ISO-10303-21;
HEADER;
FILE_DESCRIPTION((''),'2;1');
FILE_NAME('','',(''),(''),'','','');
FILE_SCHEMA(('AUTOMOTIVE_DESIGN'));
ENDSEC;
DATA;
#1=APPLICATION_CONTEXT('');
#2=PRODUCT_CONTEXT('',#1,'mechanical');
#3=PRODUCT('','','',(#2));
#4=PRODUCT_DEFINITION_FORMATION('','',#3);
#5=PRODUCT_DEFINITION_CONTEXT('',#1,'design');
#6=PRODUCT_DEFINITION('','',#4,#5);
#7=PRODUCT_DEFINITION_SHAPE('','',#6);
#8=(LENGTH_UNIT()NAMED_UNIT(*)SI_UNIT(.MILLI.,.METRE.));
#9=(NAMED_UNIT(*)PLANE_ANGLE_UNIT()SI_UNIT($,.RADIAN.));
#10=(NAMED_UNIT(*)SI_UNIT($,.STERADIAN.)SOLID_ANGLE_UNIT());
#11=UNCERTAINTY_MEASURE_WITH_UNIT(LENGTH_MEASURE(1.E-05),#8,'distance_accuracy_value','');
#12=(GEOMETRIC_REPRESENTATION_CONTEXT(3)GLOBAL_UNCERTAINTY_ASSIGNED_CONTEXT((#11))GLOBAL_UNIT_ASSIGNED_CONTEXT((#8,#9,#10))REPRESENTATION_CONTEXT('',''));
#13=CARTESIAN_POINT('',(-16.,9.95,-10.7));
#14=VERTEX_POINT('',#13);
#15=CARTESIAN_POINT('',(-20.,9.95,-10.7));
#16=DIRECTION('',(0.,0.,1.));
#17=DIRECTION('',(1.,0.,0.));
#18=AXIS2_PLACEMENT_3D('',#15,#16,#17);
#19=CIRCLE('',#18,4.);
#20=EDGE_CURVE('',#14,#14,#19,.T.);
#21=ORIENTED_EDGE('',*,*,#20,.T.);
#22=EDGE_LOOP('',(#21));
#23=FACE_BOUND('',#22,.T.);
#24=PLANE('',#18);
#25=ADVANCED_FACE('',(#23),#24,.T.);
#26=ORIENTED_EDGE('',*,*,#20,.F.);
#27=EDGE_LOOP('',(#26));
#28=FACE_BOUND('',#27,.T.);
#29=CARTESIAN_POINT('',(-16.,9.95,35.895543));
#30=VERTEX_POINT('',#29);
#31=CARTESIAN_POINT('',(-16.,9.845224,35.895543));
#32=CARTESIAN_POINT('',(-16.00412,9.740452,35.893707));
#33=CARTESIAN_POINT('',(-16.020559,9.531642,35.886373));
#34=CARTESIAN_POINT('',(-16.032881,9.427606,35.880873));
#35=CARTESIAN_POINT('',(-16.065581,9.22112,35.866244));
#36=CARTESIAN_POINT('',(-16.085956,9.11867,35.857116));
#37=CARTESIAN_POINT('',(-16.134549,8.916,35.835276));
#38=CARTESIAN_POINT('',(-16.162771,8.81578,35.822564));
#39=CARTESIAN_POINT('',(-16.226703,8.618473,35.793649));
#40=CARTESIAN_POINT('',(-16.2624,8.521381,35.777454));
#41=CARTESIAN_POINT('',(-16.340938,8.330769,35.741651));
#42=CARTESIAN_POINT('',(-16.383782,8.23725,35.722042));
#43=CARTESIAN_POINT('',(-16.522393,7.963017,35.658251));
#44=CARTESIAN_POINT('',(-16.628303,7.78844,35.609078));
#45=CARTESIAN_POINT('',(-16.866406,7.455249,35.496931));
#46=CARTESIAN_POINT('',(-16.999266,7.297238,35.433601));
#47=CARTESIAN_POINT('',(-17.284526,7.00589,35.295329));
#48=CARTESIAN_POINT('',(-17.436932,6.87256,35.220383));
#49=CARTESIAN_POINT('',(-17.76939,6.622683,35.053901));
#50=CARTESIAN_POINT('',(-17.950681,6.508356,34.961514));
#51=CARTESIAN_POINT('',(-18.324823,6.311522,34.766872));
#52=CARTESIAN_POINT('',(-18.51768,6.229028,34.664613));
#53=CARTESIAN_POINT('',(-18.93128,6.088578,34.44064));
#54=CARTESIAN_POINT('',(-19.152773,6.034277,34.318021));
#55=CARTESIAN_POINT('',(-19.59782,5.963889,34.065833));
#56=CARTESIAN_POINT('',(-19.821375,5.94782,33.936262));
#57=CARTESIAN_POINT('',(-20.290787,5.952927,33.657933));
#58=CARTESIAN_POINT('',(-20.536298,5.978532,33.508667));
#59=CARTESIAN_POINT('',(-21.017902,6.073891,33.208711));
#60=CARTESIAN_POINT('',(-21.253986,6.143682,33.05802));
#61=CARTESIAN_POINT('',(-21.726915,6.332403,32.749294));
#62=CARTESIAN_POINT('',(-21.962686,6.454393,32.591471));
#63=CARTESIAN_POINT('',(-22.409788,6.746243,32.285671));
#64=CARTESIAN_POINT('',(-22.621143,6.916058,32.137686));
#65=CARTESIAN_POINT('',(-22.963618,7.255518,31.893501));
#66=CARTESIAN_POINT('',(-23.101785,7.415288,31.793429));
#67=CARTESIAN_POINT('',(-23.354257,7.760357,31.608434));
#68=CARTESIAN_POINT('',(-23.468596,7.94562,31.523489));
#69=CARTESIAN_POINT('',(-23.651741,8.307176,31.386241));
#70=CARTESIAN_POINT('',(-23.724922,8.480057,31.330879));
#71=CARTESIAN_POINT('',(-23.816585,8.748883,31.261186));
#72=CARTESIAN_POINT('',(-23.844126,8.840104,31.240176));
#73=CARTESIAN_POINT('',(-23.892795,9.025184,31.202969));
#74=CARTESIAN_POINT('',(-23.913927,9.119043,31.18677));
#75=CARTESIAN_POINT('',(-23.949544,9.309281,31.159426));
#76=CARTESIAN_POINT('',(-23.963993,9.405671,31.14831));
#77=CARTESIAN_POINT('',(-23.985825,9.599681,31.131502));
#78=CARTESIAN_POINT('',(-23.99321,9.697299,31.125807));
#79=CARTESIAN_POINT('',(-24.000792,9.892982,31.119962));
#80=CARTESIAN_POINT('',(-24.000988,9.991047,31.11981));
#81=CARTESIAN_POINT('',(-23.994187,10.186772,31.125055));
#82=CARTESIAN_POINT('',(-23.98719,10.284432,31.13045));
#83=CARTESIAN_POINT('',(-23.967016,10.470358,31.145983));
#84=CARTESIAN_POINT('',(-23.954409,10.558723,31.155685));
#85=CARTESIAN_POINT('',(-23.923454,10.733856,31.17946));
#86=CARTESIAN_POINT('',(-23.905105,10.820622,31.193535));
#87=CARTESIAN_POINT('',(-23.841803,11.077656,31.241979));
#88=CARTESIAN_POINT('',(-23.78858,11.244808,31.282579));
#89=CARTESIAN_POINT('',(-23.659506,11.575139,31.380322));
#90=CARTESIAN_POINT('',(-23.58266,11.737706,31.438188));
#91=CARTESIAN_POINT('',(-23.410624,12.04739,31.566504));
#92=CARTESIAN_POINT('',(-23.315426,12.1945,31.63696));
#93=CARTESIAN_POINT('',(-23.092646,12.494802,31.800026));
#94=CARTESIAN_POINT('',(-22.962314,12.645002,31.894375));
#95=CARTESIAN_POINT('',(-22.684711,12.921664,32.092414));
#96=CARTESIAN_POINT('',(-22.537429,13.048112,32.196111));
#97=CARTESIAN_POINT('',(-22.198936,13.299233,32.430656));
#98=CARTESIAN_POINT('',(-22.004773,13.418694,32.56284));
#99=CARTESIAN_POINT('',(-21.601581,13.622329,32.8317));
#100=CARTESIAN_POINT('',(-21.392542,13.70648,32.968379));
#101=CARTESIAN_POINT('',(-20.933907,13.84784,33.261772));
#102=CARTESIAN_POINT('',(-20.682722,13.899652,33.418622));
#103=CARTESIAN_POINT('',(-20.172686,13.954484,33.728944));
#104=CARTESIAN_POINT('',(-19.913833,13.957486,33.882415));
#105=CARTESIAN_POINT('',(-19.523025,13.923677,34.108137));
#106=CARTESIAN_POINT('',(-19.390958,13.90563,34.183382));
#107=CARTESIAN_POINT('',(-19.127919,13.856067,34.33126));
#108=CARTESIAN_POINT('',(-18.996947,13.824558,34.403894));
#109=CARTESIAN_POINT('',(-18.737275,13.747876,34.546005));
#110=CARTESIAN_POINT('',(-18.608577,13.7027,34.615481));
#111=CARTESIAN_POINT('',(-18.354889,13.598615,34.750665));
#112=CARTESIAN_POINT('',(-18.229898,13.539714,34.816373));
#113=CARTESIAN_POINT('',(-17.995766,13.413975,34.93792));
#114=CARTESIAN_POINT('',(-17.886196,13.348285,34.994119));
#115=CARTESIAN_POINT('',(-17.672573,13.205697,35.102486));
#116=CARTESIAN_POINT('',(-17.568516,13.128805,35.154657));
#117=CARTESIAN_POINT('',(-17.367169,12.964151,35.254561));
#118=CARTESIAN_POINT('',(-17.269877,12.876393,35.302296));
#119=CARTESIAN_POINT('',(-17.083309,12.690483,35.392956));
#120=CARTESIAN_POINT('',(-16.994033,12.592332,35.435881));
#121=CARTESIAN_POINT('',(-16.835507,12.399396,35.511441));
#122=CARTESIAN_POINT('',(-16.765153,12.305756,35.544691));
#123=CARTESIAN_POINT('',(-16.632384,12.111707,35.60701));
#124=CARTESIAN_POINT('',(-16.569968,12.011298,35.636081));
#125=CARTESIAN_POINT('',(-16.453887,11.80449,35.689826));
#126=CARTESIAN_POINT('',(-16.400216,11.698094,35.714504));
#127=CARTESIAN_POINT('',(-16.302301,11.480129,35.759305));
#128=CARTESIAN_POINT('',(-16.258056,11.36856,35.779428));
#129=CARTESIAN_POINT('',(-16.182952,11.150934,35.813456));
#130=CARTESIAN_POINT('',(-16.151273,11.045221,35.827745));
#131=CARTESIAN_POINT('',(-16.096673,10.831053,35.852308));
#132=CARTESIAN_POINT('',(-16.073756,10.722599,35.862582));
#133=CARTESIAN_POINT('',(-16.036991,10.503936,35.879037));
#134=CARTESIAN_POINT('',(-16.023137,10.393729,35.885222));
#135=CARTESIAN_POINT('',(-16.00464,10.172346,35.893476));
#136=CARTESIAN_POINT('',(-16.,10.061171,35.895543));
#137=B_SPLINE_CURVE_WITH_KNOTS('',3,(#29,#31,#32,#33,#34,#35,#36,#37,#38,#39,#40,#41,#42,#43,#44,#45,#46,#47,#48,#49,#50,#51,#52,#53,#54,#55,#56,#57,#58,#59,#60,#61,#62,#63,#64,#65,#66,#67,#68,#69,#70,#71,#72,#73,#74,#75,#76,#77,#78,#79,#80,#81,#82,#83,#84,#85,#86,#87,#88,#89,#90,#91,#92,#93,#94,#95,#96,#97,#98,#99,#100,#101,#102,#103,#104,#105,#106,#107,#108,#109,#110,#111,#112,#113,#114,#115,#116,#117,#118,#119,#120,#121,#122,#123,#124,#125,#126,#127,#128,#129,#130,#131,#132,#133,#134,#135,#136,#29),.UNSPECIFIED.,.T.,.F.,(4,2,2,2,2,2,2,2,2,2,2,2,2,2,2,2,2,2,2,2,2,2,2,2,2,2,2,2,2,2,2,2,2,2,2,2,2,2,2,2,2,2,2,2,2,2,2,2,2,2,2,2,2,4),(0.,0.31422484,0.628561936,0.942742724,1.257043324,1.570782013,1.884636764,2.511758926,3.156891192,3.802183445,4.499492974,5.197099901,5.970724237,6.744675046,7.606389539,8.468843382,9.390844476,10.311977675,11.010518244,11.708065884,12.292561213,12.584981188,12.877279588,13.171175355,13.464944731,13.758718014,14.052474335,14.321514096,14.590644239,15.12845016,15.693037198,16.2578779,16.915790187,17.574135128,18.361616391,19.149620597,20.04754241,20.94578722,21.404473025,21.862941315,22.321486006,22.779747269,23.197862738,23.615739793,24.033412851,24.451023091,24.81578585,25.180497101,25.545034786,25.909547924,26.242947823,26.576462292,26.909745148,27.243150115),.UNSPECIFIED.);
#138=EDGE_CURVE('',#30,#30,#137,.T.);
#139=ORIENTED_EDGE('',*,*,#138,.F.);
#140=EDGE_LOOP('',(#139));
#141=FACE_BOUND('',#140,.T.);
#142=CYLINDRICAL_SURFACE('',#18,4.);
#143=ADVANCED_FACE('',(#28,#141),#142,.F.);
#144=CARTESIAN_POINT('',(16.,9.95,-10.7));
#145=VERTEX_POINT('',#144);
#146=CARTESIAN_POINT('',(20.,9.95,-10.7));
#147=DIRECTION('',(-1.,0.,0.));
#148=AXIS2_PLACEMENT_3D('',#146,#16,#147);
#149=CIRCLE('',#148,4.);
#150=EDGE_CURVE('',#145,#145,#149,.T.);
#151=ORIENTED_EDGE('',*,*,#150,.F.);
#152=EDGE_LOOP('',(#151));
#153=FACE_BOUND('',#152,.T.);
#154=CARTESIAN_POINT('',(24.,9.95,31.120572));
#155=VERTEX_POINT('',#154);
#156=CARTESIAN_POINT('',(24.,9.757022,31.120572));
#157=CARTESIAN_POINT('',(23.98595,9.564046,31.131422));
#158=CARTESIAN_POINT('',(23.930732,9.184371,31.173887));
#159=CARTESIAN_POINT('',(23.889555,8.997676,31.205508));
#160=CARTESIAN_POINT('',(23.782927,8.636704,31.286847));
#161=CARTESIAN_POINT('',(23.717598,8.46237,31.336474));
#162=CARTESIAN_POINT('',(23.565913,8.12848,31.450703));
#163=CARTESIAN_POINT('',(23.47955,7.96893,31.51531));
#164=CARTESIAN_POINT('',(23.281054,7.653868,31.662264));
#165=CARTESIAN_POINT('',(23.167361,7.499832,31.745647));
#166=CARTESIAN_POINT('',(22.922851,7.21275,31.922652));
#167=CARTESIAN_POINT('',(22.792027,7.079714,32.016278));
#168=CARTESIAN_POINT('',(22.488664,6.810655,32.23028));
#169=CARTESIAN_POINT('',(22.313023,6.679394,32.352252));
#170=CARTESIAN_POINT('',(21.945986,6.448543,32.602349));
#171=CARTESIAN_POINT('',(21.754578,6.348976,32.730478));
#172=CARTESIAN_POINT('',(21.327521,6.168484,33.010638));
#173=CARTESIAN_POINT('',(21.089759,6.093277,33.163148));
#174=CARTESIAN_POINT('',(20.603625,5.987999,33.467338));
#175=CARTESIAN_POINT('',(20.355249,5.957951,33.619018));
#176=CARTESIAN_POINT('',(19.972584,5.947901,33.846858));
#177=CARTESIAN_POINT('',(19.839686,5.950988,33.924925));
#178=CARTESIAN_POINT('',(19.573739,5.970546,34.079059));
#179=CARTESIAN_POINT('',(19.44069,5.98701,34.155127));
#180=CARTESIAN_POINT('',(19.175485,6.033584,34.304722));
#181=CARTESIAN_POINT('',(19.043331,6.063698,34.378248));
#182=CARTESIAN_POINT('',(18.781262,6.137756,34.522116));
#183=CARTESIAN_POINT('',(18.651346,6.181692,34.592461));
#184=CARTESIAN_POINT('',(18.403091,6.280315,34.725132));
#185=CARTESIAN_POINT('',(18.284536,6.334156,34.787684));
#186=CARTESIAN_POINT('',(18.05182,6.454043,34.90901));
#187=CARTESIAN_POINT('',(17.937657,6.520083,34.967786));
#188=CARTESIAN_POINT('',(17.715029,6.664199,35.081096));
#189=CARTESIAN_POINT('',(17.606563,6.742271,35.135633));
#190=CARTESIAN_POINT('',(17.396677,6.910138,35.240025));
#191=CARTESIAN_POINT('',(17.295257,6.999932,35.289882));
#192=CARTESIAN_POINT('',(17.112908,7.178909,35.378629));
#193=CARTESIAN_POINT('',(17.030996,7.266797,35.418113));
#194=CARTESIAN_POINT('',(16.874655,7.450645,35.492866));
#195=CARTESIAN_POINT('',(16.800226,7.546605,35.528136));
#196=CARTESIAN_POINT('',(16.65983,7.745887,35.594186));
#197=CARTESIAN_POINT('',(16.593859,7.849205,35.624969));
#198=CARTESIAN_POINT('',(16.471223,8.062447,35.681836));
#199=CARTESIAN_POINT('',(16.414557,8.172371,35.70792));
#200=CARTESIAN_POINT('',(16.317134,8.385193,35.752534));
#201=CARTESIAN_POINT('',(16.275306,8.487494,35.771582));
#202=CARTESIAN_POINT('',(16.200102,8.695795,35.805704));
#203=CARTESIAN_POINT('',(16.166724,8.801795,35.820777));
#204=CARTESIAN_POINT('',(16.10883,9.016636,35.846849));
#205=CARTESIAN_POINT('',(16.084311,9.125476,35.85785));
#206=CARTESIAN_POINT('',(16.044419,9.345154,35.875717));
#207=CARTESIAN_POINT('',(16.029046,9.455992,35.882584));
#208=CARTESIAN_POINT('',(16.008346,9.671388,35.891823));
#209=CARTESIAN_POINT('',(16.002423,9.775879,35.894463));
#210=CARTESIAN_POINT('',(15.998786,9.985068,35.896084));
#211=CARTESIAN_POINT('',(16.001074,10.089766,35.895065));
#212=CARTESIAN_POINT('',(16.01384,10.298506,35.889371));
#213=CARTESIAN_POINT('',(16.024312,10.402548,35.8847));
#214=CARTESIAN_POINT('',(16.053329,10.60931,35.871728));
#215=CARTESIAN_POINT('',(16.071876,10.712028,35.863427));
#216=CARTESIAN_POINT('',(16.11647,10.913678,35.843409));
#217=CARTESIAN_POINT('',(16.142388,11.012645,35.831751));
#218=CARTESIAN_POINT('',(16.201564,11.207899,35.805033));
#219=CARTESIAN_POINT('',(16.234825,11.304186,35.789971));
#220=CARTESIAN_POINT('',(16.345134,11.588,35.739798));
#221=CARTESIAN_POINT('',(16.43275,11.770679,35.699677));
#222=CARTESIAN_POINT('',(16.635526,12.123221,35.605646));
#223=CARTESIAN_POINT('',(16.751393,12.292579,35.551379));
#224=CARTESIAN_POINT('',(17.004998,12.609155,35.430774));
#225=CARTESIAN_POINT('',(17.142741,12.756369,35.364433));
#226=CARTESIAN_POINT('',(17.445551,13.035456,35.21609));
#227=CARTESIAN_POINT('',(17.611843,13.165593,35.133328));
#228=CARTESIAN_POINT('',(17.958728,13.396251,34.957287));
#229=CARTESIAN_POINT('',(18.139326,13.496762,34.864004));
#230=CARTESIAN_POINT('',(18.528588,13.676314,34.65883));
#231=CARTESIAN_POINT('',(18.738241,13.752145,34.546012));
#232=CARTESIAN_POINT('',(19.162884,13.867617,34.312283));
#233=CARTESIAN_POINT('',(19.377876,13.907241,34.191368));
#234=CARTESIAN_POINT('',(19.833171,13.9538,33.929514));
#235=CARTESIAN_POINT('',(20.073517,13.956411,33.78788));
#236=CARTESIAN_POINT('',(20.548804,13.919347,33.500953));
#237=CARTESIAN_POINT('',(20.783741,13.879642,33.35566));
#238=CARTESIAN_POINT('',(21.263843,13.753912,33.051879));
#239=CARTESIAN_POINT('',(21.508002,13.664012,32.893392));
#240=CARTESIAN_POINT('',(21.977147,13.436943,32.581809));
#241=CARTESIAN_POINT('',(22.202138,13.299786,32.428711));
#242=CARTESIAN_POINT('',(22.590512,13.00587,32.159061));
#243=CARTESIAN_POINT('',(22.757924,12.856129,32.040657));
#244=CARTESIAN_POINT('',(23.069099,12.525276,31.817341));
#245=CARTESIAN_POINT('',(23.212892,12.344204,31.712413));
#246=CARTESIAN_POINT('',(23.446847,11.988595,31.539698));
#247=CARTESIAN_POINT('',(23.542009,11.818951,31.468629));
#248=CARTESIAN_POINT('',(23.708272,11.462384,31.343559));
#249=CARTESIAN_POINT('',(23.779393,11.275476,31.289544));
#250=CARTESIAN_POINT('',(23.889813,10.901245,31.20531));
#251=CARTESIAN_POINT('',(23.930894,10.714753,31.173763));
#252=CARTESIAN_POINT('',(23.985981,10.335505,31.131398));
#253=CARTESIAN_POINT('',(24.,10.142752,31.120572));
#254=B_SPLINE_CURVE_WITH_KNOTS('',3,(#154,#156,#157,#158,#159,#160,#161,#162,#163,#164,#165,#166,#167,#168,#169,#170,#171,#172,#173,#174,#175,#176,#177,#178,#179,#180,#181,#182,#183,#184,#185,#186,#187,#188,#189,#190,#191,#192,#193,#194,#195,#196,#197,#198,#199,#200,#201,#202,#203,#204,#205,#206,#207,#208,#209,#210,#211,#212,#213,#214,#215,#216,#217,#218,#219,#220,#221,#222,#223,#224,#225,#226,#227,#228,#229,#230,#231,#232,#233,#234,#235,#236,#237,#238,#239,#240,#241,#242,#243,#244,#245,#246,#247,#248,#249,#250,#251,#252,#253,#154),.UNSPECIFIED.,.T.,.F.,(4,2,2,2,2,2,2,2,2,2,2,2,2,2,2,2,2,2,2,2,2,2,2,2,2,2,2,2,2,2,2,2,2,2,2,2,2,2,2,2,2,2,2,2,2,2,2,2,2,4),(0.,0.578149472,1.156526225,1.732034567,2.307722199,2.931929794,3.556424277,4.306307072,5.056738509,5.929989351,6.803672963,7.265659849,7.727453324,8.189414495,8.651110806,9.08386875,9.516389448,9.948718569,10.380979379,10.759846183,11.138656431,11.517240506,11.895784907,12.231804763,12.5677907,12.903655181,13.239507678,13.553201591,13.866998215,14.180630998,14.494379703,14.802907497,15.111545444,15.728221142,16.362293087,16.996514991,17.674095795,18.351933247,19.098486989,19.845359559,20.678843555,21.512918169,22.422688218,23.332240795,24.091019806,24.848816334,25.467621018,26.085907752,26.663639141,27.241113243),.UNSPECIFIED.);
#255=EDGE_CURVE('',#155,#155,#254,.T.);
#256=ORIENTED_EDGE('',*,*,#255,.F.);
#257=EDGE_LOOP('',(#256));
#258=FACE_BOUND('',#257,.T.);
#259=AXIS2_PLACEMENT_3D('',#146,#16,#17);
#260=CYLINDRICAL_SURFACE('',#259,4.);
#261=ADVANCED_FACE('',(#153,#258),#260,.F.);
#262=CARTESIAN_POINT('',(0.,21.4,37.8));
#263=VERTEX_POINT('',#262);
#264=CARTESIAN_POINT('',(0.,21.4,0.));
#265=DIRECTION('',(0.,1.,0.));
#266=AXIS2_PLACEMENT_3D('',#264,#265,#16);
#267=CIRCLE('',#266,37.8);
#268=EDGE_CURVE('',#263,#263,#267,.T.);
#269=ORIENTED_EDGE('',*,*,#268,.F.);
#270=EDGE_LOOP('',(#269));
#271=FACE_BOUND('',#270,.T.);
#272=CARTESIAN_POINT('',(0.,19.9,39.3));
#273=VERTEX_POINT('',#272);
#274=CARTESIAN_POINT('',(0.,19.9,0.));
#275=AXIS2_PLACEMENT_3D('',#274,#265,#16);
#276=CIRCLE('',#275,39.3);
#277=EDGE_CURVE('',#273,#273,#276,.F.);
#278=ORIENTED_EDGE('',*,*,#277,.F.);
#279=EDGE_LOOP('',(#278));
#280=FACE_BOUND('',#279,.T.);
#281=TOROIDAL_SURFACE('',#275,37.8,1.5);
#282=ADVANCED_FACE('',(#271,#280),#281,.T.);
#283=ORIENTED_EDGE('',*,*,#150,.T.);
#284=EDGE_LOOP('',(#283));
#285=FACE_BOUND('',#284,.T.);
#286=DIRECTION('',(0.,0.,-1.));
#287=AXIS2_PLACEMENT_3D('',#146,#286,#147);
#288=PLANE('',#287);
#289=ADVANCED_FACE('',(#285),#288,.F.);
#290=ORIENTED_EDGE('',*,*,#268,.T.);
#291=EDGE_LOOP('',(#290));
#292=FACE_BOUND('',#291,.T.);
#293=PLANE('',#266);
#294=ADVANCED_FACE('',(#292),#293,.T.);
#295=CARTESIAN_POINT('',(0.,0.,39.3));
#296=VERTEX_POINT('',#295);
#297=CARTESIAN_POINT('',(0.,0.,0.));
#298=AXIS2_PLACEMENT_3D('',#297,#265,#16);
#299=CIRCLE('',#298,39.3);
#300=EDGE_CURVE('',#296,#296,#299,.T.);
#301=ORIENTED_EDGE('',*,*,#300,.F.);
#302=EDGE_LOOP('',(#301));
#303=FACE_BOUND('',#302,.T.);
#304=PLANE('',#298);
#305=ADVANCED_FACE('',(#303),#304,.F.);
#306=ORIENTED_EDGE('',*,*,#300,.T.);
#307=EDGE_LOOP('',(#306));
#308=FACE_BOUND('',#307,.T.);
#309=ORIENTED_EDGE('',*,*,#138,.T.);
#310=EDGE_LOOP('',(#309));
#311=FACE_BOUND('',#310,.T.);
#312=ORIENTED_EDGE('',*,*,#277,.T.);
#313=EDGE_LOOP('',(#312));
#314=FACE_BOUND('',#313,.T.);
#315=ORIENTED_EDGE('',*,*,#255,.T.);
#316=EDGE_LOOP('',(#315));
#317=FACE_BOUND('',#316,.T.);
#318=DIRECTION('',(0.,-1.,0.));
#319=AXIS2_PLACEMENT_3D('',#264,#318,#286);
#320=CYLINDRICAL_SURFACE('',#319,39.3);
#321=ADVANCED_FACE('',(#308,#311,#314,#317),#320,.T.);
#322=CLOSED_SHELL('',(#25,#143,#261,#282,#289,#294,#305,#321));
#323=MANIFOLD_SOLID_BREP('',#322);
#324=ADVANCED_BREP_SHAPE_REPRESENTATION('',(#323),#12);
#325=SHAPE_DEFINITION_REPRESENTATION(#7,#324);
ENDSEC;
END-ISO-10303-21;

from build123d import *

# Parameters (mm, degrees)
SKETCH1_R           = 39.3
BOSS_EXTRUDE1_DEPTH = 21.4
FILLET1_R           = 1.5
SKETCH2_R           = 4
CUT_EXTRUDE1_DEPTH  = 50


with BuildPart() as part:
    # Sketch1 → Boss-Extrude1 (new body)
    with BuildSketch(Plane(origin=(0, 0, 0), x_dir=(1, 0, 0), z_dir=(0, 1, 0))):
        Circle(SKETCH1_R)
    extrude(amount=BOSS_EXTRUDE1_DEPTH)

    # Fillet1
    fillet1_edges = [part.edges().sort_by_distance(p)[0] for p in [
        (-39.3, 21.4, 0),
    ]]
    fillet(fillet1_edges, radius=FILLET1_R)

    # Sketch2 → Cut-Extrude1 (cut)
    with BuildSketch(Plane.XY.offset(39.3)):
        with Locations((-20, 9.95)):
            Circle(SKETCH2_R)
        with Locations((20, 9.95)):
            Circle(SKETCH2_R)
    extrude(amount=-CUT_EXTRUDE1_DEPTH, mode=Mode.SUBTRACT)


solid = part.part
